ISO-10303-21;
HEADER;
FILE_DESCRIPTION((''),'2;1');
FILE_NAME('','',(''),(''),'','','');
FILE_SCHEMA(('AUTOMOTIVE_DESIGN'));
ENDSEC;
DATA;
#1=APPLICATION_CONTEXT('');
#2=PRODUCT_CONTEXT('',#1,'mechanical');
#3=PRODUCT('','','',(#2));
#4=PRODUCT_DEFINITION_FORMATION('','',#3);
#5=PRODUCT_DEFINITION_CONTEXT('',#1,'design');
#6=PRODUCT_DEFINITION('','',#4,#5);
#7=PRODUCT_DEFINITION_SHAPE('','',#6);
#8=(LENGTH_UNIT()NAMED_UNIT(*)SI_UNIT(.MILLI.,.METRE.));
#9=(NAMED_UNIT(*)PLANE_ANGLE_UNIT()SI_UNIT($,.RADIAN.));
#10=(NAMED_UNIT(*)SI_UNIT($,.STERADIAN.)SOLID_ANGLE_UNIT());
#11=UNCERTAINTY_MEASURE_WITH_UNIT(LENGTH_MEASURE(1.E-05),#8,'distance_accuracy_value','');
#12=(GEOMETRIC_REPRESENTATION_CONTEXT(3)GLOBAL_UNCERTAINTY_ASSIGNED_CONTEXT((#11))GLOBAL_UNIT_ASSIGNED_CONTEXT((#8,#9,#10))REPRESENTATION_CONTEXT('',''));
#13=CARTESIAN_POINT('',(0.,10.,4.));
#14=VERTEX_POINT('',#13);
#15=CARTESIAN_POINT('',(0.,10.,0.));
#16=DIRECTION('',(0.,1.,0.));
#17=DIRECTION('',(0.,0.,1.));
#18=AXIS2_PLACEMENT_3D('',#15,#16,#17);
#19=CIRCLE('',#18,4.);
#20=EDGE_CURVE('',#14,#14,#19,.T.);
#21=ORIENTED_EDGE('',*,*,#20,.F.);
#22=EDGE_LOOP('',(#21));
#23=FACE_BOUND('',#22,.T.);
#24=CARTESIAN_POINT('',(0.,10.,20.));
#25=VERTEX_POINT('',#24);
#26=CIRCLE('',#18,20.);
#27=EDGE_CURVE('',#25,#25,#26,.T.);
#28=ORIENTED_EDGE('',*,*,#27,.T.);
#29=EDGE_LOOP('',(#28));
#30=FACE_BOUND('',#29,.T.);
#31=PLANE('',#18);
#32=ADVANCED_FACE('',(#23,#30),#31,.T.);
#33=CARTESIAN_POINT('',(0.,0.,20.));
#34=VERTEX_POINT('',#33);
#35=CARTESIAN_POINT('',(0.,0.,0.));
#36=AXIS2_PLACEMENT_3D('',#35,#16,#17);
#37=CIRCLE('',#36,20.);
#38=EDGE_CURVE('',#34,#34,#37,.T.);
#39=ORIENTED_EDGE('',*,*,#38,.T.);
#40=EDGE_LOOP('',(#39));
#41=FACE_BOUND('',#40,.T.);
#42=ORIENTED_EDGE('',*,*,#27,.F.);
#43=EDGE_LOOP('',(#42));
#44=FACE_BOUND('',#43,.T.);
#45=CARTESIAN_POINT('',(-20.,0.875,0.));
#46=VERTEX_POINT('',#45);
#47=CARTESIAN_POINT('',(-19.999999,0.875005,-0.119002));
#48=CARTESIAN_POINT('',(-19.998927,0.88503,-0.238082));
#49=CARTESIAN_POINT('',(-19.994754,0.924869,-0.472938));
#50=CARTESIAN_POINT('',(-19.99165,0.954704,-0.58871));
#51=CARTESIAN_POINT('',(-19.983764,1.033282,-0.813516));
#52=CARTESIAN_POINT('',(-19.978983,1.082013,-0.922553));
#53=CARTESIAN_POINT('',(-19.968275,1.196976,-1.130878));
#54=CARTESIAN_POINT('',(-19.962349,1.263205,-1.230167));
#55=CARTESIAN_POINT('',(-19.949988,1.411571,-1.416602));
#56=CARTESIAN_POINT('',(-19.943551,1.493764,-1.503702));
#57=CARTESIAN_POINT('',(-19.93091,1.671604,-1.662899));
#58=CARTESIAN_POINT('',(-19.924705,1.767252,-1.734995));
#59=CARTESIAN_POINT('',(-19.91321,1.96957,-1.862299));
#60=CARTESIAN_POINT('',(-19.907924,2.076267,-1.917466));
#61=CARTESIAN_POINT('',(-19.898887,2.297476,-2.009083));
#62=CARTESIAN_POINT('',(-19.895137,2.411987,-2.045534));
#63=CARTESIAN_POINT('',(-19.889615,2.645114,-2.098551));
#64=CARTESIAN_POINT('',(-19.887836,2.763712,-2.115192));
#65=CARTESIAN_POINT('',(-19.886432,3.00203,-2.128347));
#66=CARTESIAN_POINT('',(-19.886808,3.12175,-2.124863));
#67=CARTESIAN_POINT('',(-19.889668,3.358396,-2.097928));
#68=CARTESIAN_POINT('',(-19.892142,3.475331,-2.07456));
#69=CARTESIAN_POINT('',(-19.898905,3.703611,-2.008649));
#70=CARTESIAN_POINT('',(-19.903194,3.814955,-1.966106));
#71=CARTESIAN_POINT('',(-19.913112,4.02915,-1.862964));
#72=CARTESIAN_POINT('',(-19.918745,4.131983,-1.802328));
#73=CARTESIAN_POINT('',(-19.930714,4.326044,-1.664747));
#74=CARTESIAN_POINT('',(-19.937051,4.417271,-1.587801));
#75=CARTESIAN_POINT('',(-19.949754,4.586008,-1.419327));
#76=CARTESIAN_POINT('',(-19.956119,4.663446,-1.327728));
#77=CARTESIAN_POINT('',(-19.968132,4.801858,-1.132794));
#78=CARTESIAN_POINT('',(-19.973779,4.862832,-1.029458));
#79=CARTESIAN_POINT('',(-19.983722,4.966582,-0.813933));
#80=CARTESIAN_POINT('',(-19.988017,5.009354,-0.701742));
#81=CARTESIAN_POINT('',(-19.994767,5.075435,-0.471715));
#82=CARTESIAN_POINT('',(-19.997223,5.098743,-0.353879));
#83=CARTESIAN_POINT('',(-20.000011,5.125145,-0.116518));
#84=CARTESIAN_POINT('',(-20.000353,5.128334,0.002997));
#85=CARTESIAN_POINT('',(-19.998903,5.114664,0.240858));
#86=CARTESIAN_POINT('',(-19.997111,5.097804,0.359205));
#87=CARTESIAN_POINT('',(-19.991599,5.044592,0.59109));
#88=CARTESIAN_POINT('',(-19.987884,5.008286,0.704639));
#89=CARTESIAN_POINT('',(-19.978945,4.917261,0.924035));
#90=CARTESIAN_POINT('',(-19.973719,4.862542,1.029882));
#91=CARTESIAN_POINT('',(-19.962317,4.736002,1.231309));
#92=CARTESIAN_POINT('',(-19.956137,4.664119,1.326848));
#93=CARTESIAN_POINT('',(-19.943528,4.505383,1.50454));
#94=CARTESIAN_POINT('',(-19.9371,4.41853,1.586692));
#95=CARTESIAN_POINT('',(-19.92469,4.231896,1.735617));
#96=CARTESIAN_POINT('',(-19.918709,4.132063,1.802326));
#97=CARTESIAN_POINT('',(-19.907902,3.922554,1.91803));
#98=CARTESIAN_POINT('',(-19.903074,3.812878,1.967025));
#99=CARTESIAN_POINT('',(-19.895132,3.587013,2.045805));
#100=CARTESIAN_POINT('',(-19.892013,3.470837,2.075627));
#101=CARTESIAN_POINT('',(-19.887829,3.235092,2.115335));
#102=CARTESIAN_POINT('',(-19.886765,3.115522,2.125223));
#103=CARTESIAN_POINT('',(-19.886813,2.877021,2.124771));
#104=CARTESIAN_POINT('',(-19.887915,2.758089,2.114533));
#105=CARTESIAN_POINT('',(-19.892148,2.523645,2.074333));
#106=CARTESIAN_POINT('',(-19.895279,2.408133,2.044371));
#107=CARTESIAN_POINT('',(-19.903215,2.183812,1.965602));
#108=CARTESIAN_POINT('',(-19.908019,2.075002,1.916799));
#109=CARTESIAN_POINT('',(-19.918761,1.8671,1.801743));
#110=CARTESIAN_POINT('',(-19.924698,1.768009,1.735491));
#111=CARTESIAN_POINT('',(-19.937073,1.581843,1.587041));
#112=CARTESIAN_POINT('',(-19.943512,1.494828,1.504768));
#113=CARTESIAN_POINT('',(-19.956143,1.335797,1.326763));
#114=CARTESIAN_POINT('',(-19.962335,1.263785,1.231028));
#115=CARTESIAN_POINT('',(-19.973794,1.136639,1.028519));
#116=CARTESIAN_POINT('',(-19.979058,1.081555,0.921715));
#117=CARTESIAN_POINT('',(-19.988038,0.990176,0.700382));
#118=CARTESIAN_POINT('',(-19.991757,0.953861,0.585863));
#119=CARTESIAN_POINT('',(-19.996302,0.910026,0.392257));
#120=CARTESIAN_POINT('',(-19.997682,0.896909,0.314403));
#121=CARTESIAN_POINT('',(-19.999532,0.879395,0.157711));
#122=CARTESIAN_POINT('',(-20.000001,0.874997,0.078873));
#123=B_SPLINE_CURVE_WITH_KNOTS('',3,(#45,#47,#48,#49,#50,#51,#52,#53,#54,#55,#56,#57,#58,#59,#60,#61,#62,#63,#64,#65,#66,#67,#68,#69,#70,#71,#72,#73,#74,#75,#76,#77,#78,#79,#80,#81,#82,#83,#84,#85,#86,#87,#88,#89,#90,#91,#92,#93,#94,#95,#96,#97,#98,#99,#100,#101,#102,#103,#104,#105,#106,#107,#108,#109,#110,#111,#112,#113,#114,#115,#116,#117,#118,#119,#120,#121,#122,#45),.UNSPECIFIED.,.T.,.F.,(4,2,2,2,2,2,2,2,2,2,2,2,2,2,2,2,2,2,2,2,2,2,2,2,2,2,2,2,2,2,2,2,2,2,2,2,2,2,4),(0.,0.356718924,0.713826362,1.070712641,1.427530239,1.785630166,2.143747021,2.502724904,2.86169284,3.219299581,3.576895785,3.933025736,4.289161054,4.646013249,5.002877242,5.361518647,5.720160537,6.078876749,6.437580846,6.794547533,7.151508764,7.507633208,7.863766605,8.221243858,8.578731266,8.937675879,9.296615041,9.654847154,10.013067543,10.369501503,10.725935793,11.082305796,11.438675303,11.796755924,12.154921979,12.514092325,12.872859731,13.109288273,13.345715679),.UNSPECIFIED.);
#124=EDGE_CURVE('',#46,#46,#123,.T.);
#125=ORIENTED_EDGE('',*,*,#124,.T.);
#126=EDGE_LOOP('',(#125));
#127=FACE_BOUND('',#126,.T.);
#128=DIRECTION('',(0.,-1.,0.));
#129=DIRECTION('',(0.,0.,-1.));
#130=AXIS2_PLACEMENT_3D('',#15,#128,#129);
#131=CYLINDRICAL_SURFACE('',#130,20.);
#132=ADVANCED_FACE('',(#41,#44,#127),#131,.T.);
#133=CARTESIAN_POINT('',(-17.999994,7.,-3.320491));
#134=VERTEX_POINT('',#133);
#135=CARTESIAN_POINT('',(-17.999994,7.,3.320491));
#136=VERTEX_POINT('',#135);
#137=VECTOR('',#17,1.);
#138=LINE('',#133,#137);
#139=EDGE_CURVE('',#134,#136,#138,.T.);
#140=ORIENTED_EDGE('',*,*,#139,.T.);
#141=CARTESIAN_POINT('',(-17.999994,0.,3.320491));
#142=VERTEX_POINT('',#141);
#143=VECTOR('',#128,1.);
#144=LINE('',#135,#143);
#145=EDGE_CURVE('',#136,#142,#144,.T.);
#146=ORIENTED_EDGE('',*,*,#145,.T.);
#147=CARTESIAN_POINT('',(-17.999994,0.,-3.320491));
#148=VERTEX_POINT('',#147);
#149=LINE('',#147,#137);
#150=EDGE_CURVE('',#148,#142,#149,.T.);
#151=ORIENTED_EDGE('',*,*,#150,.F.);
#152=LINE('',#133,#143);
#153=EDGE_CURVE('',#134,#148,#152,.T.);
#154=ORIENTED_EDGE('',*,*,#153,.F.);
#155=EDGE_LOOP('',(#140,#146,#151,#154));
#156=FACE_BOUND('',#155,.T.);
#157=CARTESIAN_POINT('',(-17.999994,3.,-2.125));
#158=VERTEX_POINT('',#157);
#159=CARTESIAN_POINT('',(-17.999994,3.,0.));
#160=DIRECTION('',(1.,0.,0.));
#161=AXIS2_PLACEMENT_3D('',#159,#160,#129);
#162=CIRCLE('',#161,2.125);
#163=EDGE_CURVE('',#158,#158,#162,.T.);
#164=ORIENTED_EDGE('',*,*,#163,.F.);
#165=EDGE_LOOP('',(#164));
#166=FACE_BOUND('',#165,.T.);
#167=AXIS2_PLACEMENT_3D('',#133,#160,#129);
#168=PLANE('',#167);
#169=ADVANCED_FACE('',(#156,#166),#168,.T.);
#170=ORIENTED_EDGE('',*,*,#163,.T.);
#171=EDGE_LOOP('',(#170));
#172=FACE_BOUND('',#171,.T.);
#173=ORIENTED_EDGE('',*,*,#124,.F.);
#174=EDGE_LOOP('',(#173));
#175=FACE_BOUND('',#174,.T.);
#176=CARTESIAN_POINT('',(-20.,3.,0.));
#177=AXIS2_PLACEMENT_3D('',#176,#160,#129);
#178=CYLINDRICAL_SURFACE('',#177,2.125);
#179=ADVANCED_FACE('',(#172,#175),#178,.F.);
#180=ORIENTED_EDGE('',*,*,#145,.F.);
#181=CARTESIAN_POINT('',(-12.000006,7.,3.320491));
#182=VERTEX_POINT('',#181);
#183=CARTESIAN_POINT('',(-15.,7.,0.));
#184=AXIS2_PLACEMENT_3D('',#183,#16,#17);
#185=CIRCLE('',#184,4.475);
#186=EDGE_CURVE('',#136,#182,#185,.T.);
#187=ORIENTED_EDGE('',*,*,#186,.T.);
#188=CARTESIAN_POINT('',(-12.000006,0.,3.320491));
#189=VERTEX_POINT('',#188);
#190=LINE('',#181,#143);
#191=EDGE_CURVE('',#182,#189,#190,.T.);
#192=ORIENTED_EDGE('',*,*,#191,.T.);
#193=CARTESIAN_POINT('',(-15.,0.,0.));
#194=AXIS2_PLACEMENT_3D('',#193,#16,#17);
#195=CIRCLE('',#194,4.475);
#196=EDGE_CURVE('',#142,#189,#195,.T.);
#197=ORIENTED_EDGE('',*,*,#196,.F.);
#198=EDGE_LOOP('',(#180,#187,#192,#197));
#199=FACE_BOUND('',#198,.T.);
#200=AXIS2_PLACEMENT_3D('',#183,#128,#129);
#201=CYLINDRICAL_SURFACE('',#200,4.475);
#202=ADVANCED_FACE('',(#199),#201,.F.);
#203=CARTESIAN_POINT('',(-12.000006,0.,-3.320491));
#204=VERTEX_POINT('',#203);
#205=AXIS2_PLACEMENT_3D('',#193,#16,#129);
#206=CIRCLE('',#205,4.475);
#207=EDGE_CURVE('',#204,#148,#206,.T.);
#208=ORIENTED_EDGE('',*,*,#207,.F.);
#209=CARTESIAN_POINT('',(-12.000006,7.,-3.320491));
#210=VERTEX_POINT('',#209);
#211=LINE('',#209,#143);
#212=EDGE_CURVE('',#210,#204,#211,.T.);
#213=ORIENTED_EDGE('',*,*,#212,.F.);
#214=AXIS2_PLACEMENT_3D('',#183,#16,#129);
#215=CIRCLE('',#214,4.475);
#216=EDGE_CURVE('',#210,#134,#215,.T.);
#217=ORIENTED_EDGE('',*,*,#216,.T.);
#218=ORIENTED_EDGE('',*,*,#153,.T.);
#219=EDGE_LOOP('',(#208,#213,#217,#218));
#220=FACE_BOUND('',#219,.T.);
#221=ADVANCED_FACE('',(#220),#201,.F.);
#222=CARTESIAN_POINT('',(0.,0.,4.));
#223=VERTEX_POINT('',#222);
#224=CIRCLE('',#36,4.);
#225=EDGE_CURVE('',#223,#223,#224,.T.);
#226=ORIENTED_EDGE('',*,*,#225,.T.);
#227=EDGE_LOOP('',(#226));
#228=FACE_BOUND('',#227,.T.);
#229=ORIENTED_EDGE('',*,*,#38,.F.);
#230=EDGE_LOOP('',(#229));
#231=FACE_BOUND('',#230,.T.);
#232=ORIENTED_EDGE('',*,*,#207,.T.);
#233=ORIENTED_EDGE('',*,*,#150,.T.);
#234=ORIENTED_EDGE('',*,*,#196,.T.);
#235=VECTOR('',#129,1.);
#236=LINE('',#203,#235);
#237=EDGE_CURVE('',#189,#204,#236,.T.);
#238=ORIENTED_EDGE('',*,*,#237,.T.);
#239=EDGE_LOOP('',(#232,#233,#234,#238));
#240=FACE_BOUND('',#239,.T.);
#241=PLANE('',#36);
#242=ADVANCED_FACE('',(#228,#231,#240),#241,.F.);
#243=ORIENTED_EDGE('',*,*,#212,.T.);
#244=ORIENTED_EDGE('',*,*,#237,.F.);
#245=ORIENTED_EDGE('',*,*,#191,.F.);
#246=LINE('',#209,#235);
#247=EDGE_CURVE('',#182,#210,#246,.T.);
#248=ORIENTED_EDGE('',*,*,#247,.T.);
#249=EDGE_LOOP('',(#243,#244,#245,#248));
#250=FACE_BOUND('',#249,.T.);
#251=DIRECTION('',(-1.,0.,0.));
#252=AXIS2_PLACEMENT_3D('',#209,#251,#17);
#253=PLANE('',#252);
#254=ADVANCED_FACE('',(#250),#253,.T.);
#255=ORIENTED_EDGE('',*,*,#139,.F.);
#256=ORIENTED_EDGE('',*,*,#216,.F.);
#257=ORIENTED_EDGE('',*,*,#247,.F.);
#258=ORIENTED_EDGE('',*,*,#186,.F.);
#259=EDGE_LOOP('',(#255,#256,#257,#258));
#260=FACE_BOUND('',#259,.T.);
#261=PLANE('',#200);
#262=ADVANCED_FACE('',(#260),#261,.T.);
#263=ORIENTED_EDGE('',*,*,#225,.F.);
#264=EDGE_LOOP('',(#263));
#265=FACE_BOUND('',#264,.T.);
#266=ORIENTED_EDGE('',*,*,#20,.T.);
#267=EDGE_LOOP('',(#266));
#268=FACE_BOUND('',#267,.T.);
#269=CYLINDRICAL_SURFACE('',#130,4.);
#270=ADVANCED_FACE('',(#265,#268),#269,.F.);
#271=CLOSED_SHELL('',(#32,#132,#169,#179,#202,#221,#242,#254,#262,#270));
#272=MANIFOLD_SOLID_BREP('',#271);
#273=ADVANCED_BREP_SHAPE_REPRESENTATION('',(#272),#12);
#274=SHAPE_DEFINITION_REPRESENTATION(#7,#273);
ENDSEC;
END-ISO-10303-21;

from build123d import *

# Parameters (mm, degrees)
SKETCH1_R           = 20
SKETCH1_R_2         = 4
BOSS_EXTRUDE1_DEPTH = 10
CUT_EXTRUDE1_DEPTH  = 7
SKETCH4_R           = 2.125
CUT_EXTRUDE2_DEPTH  = 3.000006


with BuildPart() as part:
    # Sketch1 → Boss-Extrude1 (new body)
    with BuildSketch(Plane(origin=(0, 0, 0), x_dir=(1, 0, 0), z_dir=(0, 1, 0))):
        Circle(SKETCH1_R)
        Circle(SKETCH1_R_2, mode=Mode.SUBTRACT)
    extrude(amount=BOSS_EXTRUDE1_DEPTH)

    # Sketch3 → Cut-Extrude1 (cut)
    with BuildSketch(Plane(origin=(0, 0, 0), x_dir=(1, 0, 0), z_dir=(0, 1, 0))):
        with BuildLine():
            Line((-12.000006, 3.320491078), (-12.000006, -3.320491078))
            ThreePointArc((-12.000006, -3.320491078), (-15, -4.475), (-17.999994, -3.320491078))
            Line((-17.999994, -3.320491078), (-17.999994, 3.320491078))
            ThreePointArc((-17.999994, 3.320491078), (-15, 4.475), (-12.000006, 3.320491078))
        make_face()
    extrude(amount=CUT_EXTRUDE1_DEPTH, mode=Mode.SUBTRACT)

    # Sketch4 → Cut-Extrude2 (cut, through all)
    with BuildSketch(Plane(origin=(-17.999994, 0, 0), x_dir=(0, 0, -1), z_dir=(1, 0, 0))):
        with Locations((0, 3)):
            Circle(SKETCH4_R)
    extrude(amount=-CUT_EXTRUDE2_DEPTH, mode=Mode.SUBTRACT)


solid = part.part
